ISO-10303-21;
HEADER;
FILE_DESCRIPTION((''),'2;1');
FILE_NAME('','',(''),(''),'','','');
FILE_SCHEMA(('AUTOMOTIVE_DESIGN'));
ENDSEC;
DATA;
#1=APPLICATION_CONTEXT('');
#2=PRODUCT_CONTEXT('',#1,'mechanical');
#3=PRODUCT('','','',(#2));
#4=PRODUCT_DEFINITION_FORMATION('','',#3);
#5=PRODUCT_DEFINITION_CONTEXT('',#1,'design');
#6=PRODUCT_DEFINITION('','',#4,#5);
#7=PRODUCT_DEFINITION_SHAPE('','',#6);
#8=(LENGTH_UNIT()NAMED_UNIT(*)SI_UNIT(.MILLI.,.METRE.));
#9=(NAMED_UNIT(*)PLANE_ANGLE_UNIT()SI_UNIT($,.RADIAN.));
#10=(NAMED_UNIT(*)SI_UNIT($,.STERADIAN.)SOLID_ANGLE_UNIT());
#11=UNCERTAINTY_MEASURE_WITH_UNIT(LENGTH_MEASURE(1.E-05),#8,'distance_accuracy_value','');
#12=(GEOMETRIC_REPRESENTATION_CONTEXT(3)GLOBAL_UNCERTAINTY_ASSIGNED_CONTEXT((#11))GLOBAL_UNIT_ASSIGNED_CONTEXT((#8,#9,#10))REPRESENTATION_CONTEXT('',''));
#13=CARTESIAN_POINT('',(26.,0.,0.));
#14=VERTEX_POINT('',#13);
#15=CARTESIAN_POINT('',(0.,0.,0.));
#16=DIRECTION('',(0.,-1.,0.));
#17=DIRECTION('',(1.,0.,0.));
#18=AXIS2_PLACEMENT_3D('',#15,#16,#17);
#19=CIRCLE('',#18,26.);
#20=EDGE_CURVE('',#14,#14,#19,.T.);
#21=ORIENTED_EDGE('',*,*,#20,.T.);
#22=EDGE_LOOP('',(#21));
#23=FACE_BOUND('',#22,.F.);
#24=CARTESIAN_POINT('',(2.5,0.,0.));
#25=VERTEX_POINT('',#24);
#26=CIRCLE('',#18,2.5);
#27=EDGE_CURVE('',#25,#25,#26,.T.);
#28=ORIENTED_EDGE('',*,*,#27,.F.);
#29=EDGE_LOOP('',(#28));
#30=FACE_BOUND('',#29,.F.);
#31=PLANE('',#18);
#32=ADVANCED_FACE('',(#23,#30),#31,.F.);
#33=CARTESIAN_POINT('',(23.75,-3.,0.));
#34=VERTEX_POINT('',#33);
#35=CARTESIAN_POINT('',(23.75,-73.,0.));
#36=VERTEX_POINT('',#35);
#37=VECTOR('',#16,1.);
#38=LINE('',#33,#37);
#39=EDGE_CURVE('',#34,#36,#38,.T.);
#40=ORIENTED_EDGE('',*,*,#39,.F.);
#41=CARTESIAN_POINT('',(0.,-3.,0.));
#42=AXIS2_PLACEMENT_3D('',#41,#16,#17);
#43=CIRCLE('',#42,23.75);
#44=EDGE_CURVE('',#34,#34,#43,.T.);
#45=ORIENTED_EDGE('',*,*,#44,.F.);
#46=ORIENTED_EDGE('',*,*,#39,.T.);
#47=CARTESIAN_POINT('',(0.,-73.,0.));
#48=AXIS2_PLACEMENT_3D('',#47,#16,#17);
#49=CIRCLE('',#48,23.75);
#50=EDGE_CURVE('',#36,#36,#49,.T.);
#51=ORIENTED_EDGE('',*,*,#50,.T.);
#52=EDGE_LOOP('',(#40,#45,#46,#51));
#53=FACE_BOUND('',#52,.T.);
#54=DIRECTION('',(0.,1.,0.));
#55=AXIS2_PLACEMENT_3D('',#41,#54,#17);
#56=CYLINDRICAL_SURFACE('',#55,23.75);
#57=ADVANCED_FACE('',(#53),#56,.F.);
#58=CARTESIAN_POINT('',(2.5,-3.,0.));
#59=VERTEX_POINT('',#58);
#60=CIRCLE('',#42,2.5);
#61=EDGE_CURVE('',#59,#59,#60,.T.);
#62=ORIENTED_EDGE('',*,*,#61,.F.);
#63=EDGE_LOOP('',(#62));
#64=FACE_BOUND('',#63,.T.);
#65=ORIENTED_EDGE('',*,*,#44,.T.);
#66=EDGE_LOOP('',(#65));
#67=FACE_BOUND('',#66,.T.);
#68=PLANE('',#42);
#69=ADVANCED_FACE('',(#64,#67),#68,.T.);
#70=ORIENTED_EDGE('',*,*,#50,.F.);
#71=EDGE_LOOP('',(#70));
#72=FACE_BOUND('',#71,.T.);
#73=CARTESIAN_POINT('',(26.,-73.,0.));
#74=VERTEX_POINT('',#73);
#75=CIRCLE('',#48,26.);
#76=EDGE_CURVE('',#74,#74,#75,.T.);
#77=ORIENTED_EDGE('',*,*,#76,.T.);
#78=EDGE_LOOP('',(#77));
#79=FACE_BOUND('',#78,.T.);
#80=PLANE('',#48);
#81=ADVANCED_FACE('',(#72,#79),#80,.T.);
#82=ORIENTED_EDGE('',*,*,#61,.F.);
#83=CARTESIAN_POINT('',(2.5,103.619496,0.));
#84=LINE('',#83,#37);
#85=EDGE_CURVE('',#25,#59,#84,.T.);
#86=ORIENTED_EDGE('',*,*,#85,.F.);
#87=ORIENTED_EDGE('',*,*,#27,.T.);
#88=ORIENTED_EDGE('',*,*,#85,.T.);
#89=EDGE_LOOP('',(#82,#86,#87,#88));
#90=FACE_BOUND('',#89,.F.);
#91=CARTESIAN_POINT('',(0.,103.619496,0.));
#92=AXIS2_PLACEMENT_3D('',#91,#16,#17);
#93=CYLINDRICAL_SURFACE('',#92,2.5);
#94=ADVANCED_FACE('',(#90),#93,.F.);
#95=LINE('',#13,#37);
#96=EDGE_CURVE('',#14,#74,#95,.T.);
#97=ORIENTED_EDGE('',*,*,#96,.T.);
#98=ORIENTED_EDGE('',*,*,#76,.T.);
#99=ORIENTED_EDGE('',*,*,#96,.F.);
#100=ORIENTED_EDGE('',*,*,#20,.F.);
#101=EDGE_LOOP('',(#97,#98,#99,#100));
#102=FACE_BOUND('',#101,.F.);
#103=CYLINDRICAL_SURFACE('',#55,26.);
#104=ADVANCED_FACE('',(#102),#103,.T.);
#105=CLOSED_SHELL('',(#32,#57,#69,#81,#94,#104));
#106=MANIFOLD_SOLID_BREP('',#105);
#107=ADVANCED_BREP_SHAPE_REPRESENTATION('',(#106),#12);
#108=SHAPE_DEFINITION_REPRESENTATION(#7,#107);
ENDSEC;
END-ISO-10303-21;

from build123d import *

# Parameters (mm, degrees)
F0_R     = 26
F1_DEPTH = 3
F2_R     = 26
F2_R_2   = 23.75
F3_DEPTH = 70
F5_D     = 5


with BuildPart() as f1:
    # F0 (on Front) → F1 (new body)
    with BuildSketch(Plane.XZ):
        Circle(F0_R)
    extrude(amount=F1_DEPTH)

    # F2 (on face) → F3 (join)
    with BuildSketch(Plane.XZ.offset(3)):
        Circle(F2_R)
        Circle(F2_R_2, mode=Mode.SUBTRACT)
    extrude(amount=F3_DEPTH)

    # F5 (through all)
    with Locations(Plane(origin=(0, 0, 0), x_dir=(-1, 0, 0), z_dir=(0, 1, 0))):
        with Locations((0, 0)):
            Hole(F5_D / 2)


solid = f1.part
